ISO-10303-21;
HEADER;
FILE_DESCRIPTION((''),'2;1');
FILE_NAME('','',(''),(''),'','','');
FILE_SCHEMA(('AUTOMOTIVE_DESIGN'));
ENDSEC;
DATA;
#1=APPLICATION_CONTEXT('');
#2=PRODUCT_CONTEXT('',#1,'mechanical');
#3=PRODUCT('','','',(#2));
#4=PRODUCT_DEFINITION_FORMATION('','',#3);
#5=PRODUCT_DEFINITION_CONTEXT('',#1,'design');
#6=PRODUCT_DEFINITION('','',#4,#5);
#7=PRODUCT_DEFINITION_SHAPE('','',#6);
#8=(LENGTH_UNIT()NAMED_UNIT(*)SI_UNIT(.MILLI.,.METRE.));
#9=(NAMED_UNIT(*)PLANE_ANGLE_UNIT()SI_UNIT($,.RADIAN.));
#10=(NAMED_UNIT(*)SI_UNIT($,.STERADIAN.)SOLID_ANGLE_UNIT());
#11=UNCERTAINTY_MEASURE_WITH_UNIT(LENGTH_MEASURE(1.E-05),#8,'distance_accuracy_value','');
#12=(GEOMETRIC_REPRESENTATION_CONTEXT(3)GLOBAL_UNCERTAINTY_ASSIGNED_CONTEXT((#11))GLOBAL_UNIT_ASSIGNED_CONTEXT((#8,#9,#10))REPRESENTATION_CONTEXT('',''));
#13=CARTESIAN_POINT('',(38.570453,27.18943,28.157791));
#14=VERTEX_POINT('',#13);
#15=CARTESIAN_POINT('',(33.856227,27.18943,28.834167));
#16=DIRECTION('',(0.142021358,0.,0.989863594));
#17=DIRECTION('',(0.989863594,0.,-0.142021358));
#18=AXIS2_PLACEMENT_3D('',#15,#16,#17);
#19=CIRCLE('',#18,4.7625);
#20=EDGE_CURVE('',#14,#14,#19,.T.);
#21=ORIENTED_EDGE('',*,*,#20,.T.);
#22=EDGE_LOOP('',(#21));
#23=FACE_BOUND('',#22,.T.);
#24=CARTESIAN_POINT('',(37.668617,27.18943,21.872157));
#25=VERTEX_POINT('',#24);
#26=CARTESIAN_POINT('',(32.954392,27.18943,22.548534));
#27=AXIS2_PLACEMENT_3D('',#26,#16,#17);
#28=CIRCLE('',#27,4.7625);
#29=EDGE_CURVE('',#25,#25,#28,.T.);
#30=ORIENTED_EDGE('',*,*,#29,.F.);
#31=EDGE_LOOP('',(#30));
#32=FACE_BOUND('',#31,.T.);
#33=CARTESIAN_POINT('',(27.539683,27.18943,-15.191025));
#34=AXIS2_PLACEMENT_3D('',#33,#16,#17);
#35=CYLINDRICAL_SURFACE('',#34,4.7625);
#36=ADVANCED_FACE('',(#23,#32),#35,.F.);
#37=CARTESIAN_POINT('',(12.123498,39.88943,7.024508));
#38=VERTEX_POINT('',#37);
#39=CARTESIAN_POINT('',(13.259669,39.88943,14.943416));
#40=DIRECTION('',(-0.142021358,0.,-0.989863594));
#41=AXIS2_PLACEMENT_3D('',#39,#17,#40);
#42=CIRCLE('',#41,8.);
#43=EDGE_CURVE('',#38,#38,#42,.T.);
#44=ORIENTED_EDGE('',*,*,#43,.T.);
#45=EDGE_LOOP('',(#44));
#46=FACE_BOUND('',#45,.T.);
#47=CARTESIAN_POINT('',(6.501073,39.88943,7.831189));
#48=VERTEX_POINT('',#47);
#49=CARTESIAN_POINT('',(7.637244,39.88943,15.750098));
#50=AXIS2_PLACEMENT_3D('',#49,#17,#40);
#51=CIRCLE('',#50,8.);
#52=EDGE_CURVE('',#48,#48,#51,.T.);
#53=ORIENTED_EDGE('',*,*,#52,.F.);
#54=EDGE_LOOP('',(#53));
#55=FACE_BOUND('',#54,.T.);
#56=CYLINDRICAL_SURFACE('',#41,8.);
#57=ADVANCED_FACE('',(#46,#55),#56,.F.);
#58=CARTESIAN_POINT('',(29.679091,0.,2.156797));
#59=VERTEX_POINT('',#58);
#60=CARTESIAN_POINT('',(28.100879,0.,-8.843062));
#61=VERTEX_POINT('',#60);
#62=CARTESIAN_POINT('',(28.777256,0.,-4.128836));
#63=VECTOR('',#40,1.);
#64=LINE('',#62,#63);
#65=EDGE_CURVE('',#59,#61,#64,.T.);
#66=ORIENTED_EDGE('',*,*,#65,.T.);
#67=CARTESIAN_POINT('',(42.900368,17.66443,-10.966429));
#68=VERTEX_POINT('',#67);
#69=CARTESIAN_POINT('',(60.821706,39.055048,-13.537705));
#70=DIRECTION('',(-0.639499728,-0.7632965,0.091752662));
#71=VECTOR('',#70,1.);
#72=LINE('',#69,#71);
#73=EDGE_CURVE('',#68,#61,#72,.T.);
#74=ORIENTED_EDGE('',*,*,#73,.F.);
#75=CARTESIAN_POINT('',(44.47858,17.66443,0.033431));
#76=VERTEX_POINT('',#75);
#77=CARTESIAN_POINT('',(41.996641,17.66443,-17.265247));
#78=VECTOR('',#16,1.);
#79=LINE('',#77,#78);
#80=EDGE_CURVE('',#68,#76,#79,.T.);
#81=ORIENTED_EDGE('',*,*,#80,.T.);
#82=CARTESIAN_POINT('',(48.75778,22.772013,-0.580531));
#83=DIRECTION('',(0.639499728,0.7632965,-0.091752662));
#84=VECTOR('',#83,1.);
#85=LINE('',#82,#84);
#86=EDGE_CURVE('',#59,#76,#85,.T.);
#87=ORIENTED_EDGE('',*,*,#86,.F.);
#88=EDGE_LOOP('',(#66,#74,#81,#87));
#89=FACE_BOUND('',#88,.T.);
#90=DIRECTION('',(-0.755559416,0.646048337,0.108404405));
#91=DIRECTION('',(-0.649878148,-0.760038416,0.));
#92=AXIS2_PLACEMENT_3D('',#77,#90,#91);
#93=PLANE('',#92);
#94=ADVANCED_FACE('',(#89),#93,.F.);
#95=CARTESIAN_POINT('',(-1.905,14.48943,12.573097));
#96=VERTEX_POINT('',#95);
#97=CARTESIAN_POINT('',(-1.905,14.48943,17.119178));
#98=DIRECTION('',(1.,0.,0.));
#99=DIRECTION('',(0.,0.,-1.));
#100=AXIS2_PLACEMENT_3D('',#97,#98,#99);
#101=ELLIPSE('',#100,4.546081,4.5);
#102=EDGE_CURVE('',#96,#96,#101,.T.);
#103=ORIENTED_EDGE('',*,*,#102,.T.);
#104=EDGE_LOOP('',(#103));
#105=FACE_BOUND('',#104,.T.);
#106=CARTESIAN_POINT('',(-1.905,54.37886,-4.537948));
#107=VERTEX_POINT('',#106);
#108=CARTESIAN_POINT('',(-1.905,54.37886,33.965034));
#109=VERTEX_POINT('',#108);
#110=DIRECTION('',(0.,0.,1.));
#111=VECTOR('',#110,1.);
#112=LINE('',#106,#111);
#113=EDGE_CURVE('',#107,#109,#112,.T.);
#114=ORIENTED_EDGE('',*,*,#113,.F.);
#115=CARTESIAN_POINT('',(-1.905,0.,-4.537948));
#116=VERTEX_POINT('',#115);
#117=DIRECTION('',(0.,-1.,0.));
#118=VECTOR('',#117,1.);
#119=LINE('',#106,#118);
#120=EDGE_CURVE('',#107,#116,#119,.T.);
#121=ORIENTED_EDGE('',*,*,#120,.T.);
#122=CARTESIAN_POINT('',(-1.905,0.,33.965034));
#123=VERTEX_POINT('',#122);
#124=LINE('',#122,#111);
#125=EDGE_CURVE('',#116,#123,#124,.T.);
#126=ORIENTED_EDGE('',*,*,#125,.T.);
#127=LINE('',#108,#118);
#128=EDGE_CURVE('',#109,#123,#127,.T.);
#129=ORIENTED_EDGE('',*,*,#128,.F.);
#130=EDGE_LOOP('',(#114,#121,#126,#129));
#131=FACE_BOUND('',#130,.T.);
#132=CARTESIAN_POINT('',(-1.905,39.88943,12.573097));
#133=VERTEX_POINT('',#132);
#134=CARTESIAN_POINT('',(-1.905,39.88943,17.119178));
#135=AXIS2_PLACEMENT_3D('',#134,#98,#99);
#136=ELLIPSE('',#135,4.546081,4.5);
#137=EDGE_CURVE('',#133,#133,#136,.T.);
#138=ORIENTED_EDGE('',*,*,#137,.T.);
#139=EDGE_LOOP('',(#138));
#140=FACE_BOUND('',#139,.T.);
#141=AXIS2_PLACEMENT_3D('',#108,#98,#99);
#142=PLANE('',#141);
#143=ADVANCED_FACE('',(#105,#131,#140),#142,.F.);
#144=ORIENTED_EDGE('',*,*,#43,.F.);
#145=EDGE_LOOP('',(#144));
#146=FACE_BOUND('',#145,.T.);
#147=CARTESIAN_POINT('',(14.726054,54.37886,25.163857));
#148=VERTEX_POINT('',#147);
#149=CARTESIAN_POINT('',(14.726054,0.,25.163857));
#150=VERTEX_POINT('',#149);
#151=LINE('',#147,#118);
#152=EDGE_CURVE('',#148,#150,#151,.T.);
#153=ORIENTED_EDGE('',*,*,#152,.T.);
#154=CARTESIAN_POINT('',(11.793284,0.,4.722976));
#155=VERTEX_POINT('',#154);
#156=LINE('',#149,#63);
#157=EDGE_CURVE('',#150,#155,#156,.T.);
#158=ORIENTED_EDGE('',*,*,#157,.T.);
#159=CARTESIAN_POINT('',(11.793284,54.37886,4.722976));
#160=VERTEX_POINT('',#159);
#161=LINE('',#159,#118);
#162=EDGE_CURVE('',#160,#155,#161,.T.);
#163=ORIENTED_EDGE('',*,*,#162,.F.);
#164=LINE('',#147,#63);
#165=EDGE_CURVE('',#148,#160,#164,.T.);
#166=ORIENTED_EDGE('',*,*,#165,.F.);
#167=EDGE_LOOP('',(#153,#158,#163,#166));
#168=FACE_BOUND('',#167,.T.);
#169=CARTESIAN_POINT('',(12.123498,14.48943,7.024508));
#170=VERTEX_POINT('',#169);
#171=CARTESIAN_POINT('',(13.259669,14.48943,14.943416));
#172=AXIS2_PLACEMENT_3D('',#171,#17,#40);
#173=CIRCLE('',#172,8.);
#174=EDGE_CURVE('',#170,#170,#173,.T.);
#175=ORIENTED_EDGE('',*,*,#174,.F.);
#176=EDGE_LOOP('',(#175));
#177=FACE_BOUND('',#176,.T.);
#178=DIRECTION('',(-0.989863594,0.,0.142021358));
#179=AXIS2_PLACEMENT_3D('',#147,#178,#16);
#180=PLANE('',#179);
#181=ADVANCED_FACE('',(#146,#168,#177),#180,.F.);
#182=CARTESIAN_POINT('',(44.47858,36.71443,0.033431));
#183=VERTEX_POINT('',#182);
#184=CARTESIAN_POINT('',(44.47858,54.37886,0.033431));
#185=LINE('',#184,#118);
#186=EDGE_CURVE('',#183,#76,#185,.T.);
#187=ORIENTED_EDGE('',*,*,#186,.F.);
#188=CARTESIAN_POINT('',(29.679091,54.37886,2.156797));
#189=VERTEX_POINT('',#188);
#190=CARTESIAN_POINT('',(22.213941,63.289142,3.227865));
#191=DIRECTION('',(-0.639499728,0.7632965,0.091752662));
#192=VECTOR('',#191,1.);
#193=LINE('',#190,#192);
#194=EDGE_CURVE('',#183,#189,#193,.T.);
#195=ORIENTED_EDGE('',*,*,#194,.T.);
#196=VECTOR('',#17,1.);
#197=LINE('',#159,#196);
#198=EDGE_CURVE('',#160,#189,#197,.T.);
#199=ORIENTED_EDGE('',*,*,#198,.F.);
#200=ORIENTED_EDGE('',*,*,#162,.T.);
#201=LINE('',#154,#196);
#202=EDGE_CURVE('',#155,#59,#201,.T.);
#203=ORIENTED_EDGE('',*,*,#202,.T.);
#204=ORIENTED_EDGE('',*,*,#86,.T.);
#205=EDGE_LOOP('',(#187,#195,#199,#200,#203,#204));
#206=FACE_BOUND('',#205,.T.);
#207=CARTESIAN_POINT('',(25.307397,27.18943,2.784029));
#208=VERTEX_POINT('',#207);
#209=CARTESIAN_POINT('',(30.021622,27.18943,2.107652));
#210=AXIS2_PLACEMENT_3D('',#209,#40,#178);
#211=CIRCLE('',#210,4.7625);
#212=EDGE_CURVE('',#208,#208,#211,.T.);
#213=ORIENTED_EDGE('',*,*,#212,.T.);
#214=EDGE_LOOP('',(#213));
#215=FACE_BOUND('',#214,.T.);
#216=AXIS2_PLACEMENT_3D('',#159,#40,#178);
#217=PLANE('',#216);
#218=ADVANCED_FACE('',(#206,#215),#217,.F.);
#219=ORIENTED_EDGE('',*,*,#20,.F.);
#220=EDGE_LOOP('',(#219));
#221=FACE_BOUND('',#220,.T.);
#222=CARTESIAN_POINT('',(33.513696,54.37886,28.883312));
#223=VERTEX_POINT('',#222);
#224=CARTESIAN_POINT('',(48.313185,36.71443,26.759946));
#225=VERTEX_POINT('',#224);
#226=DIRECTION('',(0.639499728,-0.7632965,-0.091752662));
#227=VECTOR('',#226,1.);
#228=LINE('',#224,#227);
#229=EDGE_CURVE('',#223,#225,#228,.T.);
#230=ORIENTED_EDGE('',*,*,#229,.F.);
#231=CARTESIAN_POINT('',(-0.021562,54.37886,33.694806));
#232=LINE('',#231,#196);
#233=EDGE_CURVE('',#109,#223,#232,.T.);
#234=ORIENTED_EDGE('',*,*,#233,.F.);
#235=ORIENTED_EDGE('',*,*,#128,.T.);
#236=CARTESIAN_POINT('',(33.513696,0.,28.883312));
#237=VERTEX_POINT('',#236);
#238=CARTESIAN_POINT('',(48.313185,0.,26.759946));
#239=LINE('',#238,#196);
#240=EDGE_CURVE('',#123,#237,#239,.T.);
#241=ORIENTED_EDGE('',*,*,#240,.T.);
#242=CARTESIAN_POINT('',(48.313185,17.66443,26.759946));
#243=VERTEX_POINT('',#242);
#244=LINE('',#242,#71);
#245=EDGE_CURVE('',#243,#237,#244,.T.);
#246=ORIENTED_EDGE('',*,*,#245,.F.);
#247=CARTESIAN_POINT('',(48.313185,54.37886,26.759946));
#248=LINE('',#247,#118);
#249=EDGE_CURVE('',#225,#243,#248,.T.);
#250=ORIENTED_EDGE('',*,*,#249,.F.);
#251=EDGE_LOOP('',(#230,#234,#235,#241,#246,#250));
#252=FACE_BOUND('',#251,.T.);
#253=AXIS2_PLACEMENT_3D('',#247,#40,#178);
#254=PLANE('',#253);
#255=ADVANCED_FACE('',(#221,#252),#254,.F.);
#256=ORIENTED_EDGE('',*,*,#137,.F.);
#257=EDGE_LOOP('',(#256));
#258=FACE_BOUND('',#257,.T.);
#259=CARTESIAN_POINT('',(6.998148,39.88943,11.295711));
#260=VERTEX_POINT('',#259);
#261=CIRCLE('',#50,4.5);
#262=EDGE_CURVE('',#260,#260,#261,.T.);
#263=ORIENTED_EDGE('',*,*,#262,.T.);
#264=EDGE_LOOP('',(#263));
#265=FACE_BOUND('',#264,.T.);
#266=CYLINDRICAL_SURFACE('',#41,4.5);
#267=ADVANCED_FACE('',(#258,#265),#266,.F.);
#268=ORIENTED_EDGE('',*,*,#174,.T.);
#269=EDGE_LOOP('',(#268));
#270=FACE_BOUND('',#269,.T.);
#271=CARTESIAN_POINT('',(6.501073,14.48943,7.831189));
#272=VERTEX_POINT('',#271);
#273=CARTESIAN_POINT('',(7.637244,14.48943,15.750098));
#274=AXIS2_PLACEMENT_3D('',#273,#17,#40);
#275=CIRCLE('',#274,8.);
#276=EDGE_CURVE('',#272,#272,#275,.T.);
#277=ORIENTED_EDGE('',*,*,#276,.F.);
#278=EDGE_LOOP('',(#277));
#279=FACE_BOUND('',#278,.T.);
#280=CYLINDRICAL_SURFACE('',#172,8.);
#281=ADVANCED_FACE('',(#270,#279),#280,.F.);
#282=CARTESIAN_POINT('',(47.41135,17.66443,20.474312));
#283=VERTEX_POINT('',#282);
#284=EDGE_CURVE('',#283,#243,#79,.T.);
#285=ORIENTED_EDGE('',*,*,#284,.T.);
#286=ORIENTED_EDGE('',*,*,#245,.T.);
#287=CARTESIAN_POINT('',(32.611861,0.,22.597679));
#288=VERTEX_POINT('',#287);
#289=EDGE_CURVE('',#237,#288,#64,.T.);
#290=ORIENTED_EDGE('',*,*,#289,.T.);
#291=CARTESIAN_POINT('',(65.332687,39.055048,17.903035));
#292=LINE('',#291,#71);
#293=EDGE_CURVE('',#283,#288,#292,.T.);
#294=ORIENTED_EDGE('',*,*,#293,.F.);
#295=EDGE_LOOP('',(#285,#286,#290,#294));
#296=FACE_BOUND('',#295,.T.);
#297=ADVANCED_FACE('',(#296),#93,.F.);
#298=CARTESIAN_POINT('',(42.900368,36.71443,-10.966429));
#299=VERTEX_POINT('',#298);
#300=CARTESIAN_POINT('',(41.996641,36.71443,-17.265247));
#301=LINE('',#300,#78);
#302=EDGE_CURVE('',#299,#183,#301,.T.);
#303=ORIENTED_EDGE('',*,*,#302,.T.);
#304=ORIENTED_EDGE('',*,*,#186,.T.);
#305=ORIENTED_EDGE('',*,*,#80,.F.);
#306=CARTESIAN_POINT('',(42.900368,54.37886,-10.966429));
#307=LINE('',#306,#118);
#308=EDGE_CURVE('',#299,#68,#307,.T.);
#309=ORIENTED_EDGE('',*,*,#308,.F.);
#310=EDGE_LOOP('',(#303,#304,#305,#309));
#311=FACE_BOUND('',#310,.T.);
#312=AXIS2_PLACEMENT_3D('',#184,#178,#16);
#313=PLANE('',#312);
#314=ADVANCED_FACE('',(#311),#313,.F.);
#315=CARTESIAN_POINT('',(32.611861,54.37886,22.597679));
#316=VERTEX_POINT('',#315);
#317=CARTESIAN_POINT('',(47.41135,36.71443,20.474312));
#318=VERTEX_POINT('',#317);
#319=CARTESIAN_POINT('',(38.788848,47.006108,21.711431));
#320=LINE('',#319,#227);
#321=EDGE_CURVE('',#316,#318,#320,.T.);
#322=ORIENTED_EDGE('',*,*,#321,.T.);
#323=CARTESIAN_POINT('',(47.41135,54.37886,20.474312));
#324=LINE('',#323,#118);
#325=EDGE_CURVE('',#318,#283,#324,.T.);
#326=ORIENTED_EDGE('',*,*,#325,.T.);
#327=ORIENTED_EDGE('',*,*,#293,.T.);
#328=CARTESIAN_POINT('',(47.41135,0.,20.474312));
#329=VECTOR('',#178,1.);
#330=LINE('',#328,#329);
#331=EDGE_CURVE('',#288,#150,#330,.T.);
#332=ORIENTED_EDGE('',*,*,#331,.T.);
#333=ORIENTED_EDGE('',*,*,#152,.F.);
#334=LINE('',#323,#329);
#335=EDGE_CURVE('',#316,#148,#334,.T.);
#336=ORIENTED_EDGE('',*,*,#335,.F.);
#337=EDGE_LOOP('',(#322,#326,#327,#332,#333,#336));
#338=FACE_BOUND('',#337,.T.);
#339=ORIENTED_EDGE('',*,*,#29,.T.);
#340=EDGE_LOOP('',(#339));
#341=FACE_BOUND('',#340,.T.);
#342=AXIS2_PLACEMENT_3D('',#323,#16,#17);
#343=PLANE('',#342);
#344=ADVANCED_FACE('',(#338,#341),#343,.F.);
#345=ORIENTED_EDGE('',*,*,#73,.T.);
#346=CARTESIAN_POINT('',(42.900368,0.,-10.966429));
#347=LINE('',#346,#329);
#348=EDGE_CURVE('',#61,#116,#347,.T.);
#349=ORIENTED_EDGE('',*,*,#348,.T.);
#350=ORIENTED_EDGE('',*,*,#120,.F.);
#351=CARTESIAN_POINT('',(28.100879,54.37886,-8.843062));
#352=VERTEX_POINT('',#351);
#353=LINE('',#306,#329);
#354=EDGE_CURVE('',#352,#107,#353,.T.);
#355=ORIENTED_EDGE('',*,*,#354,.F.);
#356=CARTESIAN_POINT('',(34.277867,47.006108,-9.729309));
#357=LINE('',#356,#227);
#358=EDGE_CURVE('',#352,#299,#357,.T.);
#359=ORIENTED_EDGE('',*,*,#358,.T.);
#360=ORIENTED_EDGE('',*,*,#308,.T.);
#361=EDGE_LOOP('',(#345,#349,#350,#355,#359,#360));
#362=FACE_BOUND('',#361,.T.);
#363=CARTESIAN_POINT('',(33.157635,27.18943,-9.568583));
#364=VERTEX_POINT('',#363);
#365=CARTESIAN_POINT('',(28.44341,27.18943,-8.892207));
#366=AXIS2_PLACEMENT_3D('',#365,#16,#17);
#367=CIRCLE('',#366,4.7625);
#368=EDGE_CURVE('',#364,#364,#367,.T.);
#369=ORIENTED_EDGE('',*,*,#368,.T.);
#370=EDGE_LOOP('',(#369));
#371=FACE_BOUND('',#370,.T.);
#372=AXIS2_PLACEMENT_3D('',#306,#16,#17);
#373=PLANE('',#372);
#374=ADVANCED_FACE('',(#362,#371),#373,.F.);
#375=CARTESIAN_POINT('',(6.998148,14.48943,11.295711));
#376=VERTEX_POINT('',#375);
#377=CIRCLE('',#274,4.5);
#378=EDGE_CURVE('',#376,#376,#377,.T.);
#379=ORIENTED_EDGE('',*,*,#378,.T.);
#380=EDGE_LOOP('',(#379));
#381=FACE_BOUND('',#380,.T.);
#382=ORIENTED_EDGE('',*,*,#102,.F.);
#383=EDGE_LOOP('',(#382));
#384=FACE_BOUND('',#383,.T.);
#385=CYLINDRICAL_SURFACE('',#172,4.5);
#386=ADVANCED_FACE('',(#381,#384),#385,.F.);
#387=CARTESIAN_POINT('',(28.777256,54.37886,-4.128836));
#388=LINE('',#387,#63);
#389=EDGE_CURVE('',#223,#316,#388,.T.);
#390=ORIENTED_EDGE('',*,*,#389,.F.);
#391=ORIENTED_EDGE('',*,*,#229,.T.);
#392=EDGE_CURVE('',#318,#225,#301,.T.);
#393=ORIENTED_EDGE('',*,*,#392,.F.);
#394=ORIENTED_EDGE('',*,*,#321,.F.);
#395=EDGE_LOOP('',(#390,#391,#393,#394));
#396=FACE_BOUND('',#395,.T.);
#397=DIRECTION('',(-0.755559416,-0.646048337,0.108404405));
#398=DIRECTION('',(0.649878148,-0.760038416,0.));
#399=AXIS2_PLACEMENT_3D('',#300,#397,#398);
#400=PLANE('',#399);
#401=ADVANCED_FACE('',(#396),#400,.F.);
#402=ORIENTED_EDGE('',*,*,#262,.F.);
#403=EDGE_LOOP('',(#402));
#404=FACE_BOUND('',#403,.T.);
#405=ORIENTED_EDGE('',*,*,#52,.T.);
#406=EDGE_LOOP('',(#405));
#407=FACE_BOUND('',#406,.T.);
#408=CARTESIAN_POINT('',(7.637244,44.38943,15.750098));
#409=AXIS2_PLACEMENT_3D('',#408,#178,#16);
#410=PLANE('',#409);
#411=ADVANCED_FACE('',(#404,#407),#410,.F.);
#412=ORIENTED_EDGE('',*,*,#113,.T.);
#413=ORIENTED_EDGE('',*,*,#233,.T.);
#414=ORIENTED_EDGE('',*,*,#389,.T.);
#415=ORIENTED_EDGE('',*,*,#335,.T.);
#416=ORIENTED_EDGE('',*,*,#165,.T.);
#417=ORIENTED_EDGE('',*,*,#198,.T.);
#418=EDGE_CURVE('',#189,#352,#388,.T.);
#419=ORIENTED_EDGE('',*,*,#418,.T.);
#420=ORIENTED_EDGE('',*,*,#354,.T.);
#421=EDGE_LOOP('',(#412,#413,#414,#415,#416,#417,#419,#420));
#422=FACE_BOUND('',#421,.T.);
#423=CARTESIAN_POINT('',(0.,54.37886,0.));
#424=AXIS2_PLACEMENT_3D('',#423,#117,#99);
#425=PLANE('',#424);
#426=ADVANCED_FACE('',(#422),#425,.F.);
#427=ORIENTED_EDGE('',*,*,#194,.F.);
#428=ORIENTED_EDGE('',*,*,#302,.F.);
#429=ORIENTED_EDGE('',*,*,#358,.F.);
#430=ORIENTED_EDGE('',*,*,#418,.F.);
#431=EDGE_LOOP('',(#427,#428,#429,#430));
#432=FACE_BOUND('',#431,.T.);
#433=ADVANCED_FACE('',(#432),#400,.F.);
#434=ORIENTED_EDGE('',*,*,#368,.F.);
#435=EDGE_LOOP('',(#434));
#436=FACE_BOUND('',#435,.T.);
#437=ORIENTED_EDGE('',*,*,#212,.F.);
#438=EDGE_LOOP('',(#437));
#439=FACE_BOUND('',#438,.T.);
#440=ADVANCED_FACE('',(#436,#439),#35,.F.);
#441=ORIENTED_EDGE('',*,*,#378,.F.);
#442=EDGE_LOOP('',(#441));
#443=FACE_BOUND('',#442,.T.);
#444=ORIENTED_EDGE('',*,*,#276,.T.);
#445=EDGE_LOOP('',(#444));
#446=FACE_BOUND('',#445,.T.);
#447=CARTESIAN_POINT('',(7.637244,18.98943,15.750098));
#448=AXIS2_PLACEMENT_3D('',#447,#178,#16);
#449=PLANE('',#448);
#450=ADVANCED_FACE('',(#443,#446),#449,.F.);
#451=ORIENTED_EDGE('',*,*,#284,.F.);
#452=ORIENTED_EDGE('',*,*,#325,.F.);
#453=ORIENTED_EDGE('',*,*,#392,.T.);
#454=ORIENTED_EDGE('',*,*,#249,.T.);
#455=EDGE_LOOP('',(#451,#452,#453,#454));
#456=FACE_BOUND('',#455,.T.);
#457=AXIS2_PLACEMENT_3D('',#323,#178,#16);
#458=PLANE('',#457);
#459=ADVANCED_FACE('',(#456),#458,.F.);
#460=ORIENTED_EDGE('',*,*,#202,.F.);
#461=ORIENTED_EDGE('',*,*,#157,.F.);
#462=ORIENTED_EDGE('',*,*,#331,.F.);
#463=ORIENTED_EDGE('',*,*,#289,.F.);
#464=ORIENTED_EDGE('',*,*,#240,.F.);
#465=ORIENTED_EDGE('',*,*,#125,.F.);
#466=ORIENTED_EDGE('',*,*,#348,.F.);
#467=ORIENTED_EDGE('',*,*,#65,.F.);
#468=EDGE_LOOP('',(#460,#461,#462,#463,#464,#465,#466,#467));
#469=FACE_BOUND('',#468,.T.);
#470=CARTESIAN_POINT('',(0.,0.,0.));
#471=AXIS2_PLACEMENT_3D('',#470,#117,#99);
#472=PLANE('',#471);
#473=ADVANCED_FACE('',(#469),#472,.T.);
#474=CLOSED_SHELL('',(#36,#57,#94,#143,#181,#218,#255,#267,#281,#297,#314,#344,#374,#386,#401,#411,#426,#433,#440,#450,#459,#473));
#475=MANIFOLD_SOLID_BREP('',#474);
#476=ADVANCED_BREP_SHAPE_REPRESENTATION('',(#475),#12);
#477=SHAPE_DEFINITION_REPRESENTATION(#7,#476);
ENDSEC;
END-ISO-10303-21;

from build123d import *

# Parameters (mm, degrees)
BOSS_EXTRUDE1_DEPTH                     = 54.37886
SKETCH6_R                               = 4.762499997
CUT_EXTRUDE2_DEPTH                      = 83.40211381
CBORE_FOR_M8_HEX_HEAD_BOLT1_D           = 9
CBORE_FOR_M8_HEX_HEAD_BOLT1_CBORE_D     = 16
CBORE_FOR_M8_HEX_HEAD_BOLT1_CBORE_DEPTH = 5.68


with BuildPart() as part:
    # Sketch1 → Boss-Extrude1 (new body)
    with BuildSketch(Plane(origin=(0, 0, 0), x_dir=(1, 0, 0), z_dir=(0, 1, 0))):
        Polygon((42.900367849, 10.966428676), (-1.905000006, 4.537947795), (-1.905000006, -33.845088532), (-1.905000006, -33.965034077), (-0.021561819, -33.694806492), (48.313185258, -26.759945507), (47.411349635, -20.474311688), (14.726053775, -25.163856927), (11.793284329, -4.722975747), (44.478580189, -0.033430507), align=None)
    extrude(amount=BOSS_EXTRUDE1_DEPTH)

    # Sketch6 → Cut-Extrude2 (cut, through all)
    with BuildSketch(Plane(origin=(4.736440692, 0, 33.012148819), x_dir=(0.9898635935767917, 0, -0.1420213579404182), z_dir=(0.1420213579404182, 0, 0.9898635935767917))):
        with Locations((29.417979377, 27.18943)):
            Circle(SKETCH6_R)
        Polygon((44.022979377, 36.71443), (29.071940537, 54.37886), (44.022979377, 54.37886), align=None)
        Polygon((44.022979377, 0), (44.022979377, 17.66443), (29.071940537, 0), align=None)
    extrude(amount=-CUT_EXTRUDE2_DEPTH, mode=Mode.SUBTRACT)

    # CBORE for M8 Hex Head Bolt1 (through all)
    with Locations(Plane(origin=(10.891448706, 0, -1.562658073), x_dir=(-0.1420213579404179, 0, -0.9898635935767918), z_dir=(0.9898635935767918, 0, -0.1420213579404179))):
        with Locations((-16.6751, 39.88943), (-16.6751, 14.48943)):
            CounterBoreHole(CBORE_FOR_M8_HEX_HEAD_BOLT1_D / 2, CBORE_FOR_M8_HEX_HEAD_BOLT1_CBORE_D / 2, CBORE_FOR_M8_HEX_HEAD_BOLT1_CBORE_DEPTH)


solid = part.part
